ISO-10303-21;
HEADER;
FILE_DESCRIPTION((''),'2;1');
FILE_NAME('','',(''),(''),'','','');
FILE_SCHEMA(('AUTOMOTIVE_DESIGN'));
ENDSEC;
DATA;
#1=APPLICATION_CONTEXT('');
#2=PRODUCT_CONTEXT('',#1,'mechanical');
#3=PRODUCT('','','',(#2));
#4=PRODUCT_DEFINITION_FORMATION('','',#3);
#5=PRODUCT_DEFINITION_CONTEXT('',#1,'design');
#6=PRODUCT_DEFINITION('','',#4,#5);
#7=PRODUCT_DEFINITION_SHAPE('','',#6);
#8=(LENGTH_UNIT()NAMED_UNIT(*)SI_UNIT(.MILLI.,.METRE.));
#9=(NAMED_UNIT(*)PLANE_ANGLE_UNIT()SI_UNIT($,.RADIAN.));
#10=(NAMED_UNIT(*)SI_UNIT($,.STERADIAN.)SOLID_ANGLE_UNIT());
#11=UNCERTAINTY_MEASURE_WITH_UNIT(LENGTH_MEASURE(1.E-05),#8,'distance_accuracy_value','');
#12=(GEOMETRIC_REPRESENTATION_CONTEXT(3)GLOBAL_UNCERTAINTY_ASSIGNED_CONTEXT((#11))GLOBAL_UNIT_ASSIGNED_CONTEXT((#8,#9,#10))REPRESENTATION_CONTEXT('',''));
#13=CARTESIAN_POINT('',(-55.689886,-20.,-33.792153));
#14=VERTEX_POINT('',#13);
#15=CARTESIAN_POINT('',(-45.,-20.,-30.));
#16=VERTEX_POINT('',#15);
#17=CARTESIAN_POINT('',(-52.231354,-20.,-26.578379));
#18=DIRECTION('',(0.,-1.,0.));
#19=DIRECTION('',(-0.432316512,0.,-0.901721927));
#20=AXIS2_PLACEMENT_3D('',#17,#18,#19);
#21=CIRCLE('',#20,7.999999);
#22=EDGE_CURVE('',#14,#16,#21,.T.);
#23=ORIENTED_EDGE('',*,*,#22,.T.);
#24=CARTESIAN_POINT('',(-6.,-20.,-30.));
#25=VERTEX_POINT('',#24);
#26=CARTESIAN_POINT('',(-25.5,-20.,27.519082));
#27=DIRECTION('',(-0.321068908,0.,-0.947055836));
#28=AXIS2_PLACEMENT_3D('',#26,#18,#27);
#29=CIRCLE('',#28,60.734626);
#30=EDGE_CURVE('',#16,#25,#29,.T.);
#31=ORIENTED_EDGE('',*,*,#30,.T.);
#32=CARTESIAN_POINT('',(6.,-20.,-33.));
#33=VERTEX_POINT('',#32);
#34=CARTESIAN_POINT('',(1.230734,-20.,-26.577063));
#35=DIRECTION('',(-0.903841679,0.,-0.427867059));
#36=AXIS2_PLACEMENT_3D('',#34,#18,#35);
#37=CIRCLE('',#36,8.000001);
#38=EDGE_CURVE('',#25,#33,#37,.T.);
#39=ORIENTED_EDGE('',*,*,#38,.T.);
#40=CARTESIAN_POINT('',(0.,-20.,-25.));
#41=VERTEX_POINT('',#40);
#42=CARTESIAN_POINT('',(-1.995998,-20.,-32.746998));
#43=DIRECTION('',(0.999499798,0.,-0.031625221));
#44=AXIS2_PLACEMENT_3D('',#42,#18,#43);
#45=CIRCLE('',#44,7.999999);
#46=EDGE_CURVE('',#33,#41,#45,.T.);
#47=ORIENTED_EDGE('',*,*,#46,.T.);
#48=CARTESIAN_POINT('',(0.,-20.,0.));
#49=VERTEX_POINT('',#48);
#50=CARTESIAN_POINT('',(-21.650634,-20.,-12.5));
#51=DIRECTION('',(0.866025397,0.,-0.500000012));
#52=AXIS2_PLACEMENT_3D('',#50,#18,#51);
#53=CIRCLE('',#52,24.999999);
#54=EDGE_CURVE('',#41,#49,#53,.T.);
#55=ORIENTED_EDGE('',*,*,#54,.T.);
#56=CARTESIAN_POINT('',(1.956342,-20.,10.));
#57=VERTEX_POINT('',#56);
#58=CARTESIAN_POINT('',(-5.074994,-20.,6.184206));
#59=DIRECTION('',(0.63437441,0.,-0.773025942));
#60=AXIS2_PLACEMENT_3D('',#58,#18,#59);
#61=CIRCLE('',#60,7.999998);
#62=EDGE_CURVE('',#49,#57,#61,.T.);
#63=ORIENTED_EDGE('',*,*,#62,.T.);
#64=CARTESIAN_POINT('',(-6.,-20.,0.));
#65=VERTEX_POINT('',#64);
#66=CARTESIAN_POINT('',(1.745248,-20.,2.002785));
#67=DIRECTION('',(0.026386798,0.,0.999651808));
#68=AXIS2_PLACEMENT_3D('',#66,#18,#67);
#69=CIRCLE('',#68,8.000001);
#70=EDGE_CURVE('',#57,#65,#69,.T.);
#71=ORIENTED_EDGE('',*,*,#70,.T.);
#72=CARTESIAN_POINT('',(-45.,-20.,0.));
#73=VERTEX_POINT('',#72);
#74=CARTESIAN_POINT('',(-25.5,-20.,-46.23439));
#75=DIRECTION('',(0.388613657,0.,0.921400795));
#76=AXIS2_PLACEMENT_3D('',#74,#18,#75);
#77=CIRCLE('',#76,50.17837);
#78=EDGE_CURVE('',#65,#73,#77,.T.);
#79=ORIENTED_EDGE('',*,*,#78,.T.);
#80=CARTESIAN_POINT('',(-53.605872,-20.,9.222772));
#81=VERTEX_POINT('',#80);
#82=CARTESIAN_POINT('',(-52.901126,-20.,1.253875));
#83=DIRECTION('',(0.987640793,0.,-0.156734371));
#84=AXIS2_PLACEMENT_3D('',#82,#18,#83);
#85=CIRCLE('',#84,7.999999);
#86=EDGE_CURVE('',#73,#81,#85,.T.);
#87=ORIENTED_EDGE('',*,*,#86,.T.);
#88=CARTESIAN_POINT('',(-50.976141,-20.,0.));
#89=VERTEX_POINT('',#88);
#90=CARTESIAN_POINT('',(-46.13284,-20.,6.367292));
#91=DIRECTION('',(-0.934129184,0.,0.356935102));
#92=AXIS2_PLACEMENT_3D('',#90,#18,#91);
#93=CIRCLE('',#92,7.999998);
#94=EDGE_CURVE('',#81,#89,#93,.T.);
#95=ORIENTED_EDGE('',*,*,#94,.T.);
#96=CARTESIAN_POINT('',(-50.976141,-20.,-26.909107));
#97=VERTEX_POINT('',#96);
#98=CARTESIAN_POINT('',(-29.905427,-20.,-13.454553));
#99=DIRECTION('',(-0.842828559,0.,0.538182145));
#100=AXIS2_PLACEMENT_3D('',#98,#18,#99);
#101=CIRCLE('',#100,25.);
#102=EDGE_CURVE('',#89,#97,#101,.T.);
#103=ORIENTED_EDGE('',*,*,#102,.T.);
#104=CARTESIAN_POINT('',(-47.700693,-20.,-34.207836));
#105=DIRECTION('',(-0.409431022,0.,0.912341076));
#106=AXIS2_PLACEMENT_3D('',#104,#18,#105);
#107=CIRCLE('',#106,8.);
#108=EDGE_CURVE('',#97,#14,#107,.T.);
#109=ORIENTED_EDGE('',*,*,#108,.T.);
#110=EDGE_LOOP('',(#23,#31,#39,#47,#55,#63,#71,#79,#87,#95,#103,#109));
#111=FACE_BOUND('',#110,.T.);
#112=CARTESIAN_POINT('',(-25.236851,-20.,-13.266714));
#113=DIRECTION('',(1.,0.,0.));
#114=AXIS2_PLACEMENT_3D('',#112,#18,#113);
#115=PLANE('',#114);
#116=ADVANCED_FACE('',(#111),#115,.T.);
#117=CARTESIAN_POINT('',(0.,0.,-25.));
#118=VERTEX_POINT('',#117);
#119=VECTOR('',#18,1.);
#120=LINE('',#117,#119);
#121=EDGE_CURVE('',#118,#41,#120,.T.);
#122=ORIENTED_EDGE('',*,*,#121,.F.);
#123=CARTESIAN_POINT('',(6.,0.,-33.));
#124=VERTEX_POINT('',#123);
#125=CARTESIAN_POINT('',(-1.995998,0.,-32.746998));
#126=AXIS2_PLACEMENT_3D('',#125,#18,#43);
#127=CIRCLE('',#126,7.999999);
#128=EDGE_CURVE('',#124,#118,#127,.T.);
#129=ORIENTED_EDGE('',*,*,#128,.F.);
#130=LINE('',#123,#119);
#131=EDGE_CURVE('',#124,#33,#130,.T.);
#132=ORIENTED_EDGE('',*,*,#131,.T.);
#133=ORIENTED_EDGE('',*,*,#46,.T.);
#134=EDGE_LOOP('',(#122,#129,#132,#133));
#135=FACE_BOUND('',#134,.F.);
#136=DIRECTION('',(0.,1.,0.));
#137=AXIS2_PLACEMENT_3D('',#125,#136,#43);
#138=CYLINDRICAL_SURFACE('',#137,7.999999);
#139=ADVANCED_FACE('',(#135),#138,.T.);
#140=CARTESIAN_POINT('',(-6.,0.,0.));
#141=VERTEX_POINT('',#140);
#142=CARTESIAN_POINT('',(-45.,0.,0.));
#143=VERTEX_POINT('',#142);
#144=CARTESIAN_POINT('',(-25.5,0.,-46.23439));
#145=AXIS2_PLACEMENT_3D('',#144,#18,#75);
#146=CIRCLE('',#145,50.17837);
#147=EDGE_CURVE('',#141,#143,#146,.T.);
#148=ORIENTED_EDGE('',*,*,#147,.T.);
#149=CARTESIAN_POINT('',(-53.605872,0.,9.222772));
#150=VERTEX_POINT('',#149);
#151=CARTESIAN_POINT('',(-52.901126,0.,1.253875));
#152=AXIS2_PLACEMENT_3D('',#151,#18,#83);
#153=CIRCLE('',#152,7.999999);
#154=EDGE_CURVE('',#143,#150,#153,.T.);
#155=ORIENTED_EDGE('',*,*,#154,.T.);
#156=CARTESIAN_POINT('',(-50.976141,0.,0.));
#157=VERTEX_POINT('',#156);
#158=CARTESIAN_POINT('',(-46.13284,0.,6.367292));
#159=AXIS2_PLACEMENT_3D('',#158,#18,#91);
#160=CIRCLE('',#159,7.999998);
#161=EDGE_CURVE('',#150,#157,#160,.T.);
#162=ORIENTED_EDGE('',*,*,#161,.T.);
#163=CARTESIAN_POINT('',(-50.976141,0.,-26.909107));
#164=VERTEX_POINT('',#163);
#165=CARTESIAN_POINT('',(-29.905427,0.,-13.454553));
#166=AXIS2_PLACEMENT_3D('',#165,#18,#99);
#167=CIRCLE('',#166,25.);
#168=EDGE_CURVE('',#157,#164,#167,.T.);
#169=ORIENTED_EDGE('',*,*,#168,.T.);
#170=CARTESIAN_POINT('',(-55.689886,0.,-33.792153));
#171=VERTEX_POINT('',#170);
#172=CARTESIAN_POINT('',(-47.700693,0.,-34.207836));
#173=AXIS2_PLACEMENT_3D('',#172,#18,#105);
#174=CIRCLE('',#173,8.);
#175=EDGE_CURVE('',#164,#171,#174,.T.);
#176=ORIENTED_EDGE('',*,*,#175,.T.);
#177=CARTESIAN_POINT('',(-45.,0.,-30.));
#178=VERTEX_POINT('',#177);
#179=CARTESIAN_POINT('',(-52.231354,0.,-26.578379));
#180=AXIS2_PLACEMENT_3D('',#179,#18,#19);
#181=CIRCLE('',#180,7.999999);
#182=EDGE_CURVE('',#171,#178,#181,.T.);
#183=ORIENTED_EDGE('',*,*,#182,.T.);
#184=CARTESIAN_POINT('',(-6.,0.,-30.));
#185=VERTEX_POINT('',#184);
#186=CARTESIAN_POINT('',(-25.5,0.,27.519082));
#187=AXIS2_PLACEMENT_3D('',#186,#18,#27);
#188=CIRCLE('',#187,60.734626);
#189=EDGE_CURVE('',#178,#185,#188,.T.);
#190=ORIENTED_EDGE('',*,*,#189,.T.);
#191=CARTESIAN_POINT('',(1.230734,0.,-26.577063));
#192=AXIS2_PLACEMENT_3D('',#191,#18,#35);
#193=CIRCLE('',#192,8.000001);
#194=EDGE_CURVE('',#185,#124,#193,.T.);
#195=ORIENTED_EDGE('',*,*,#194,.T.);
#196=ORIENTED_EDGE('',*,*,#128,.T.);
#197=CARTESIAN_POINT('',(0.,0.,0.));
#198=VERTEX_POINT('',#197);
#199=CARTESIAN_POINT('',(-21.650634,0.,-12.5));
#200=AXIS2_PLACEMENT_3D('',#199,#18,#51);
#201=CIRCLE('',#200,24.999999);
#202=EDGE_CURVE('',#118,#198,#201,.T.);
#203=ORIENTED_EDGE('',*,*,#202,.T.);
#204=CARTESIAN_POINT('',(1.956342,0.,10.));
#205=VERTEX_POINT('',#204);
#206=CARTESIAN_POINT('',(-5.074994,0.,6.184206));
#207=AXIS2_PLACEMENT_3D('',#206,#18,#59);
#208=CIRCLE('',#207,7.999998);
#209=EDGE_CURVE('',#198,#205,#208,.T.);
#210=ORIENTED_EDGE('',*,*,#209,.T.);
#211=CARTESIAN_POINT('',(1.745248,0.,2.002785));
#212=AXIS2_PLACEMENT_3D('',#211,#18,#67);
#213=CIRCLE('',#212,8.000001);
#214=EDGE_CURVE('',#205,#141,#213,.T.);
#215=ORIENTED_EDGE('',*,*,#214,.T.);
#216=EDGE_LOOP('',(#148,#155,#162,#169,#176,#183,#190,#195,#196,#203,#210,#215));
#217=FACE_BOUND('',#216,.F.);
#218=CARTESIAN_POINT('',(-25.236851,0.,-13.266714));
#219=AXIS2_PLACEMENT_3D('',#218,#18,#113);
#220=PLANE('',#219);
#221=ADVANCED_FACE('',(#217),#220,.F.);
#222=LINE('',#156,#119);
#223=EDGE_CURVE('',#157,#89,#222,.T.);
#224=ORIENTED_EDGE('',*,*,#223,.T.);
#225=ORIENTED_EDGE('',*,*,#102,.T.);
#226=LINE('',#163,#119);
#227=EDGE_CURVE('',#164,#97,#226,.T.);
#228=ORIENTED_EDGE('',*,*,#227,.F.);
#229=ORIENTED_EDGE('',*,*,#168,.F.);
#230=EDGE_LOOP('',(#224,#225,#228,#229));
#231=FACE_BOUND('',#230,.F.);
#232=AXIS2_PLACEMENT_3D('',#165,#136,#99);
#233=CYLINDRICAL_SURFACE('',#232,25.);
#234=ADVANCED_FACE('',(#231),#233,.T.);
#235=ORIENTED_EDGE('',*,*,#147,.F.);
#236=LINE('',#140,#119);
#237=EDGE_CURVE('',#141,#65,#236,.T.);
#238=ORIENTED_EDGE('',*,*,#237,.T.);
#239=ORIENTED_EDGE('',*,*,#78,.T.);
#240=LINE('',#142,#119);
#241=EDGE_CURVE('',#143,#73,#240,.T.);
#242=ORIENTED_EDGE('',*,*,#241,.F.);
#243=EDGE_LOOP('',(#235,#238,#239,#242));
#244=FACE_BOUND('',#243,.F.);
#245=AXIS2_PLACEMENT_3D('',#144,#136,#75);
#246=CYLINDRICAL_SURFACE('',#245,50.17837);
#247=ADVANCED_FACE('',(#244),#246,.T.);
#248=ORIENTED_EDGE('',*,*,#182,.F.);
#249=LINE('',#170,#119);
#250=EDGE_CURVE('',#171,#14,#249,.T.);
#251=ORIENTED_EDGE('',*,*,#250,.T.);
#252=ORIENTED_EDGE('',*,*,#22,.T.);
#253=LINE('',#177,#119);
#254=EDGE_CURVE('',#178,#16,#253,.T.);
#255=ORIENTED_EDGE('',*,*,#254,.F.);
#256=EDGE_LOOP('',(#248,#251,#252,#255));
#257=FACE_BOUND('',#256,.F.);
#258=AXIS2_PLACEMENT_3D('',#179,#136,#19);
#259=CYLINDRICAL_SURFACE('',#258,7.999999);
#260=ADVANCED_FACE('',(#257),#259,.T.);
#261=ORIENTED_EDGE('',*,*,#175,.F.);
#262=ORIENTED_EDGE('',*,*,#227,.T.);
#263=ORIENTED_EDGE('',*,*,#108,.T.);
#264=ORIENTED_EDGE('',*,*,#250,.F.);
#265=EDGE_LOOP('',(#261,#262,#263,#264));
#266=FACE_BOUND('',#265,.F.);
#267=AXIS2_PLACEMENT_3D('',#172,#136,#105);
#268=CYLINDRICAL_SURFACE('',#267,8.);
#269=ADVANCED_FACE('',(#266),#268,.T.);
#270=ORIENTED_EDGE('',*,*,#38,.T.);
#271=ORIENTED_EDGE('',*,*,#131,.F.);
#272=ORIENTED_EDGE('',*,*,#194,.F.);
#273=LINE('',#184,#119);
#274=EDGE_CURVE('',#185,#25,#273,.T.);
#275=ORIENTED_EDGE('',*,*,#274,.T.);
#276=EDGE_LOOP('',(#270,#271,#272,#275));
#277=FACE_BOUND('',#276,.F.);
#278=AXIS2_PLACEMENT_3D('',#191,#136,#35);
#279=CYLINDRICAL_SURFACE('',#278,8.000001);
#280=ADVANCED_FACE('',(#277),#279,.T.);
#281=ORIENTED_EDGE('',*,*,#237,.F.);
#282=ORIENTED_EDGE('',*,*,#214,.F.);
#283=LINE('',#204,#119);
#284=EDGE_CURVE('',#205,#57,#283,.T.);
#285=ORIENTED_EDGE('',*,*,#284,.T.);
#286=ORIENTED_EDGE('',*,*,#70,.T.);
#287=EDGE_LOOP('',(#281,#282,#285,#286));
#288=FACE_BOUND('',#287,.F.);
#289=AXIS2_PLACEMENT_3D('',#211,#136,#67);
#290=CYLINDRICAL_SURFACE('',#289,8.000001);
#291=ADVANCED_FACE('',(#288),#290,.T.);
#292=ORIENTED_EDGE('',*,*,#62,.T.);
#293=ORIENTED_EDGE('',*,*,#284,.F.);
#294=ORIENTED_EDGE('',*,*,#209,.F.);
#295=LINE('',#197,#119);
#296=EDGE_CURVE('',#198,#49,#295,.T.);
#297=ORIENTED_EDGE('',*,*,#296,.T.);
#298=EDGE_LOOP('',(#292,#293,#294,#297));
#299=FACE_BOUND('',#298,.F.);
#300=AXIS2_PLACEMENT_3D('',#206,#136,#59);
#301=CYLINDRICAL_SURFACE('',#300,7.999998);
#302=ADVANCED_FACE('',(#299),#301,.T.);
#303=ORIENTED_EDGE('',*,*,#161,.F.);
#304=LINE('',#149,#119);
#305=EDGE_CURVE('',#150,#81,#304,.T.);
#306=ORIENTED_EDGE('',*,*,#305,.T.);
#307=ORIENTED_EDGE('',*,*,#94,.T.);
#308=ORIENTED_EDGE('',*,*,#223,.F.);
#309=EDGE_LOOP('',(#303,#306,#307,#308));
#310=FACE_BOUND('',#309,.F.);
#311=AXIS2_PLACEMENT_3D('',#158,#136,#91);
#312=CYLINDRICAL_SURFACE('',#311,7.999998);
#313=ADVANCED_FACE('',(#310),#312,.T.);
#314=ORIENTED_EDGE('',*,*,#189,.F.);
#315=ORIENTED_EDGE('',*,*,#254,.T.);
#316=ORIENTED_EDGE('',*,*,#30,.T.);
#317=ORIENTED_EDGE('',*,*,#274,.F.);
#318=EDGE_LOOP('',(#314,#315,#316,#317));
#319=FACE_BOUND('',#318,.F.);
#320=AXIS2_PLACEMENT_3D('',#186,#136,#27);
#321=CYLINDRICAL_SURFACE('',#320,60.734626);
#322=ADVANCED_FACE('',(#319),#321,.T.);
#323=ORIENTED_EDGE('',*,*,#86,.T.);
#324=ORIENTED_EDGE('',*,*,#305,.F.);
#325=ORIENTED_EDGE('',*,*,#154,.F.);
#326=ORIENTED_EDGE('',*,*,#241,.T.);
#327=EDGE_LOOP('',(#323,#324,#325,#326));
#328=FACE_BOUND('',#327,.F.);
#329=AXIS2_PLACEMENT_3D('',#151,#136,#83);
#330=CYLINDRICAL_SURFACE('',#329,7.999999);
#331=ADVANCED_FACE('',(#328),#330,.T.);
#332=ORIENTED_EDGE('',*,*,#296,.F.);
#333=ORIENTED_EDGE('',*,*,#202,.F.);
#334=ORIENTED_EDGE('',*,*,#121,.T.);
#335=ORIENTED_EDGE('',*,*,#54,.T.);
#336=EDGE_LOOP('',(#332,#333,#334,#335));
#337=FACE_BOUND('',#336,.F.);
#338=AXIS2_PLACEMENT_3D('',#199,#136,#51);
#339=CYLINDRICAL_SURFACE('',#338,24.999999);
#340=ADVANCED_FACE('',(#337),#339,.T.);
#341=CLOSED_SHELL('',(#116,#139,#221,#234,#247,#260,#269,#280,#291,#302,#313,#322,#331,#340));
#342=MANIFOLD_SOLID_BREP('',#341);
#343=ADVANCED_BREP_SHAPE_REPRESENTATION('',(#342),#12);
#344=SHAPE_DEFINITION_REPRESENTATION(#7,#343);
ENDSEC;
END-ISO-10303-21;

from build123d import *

# Parameters (mm, degrees)
F1_DEPTH = 20


with BuildPart() as f1:
    # F0 (on Front) → F1 (new body)
    with BuildSketch(Plane.XZ):
        with BuildLine():
            ThreePointArc((6, -33), (4.404002, -27.946999), (0, -25))
            ThreePointArc((0, -25), (3.349365, -12.5), (0, 0))
            ThreePointArc((0, 0), (2.776172, 4.64825), (1.956342, 10))
            ThreePointArc((1.956342, 10), (-4.515013, 6.983663), (-6, 0))
            ThreePointArc((-6, 0), (-25.5, 3.94398), (-45, 0))
            ThreePointArc((-45, 0), (-47.052036, 6.711726), (-53.605872, 9.222772))
            ThreePointArc((-53.605872, 9.222772), (-53.826207, 4.173647), (-50.976141, 0))
            ThreePointArc((-50.976141, 0), (-54.905427, -13.454553), (-50.976141, -26.909107))
            ThreePointArc((-50.976141, -26.909107), (-54.301232, -29.687561), (-55.689886, -33.792153))
            ThreePointArc((-55.689886, -33.792153), (-49.556723, -34.118029), (-45, -30))
            ThreePointArc((-45, -30), (-25.5, -33.215544), (-6, -30))
            ThreePointArc((-6, -30), (-0.709551, -34.338204), (6, -33))
        make_face()
    extrude(amount=F1_DEPTH)


solid = f1.part
